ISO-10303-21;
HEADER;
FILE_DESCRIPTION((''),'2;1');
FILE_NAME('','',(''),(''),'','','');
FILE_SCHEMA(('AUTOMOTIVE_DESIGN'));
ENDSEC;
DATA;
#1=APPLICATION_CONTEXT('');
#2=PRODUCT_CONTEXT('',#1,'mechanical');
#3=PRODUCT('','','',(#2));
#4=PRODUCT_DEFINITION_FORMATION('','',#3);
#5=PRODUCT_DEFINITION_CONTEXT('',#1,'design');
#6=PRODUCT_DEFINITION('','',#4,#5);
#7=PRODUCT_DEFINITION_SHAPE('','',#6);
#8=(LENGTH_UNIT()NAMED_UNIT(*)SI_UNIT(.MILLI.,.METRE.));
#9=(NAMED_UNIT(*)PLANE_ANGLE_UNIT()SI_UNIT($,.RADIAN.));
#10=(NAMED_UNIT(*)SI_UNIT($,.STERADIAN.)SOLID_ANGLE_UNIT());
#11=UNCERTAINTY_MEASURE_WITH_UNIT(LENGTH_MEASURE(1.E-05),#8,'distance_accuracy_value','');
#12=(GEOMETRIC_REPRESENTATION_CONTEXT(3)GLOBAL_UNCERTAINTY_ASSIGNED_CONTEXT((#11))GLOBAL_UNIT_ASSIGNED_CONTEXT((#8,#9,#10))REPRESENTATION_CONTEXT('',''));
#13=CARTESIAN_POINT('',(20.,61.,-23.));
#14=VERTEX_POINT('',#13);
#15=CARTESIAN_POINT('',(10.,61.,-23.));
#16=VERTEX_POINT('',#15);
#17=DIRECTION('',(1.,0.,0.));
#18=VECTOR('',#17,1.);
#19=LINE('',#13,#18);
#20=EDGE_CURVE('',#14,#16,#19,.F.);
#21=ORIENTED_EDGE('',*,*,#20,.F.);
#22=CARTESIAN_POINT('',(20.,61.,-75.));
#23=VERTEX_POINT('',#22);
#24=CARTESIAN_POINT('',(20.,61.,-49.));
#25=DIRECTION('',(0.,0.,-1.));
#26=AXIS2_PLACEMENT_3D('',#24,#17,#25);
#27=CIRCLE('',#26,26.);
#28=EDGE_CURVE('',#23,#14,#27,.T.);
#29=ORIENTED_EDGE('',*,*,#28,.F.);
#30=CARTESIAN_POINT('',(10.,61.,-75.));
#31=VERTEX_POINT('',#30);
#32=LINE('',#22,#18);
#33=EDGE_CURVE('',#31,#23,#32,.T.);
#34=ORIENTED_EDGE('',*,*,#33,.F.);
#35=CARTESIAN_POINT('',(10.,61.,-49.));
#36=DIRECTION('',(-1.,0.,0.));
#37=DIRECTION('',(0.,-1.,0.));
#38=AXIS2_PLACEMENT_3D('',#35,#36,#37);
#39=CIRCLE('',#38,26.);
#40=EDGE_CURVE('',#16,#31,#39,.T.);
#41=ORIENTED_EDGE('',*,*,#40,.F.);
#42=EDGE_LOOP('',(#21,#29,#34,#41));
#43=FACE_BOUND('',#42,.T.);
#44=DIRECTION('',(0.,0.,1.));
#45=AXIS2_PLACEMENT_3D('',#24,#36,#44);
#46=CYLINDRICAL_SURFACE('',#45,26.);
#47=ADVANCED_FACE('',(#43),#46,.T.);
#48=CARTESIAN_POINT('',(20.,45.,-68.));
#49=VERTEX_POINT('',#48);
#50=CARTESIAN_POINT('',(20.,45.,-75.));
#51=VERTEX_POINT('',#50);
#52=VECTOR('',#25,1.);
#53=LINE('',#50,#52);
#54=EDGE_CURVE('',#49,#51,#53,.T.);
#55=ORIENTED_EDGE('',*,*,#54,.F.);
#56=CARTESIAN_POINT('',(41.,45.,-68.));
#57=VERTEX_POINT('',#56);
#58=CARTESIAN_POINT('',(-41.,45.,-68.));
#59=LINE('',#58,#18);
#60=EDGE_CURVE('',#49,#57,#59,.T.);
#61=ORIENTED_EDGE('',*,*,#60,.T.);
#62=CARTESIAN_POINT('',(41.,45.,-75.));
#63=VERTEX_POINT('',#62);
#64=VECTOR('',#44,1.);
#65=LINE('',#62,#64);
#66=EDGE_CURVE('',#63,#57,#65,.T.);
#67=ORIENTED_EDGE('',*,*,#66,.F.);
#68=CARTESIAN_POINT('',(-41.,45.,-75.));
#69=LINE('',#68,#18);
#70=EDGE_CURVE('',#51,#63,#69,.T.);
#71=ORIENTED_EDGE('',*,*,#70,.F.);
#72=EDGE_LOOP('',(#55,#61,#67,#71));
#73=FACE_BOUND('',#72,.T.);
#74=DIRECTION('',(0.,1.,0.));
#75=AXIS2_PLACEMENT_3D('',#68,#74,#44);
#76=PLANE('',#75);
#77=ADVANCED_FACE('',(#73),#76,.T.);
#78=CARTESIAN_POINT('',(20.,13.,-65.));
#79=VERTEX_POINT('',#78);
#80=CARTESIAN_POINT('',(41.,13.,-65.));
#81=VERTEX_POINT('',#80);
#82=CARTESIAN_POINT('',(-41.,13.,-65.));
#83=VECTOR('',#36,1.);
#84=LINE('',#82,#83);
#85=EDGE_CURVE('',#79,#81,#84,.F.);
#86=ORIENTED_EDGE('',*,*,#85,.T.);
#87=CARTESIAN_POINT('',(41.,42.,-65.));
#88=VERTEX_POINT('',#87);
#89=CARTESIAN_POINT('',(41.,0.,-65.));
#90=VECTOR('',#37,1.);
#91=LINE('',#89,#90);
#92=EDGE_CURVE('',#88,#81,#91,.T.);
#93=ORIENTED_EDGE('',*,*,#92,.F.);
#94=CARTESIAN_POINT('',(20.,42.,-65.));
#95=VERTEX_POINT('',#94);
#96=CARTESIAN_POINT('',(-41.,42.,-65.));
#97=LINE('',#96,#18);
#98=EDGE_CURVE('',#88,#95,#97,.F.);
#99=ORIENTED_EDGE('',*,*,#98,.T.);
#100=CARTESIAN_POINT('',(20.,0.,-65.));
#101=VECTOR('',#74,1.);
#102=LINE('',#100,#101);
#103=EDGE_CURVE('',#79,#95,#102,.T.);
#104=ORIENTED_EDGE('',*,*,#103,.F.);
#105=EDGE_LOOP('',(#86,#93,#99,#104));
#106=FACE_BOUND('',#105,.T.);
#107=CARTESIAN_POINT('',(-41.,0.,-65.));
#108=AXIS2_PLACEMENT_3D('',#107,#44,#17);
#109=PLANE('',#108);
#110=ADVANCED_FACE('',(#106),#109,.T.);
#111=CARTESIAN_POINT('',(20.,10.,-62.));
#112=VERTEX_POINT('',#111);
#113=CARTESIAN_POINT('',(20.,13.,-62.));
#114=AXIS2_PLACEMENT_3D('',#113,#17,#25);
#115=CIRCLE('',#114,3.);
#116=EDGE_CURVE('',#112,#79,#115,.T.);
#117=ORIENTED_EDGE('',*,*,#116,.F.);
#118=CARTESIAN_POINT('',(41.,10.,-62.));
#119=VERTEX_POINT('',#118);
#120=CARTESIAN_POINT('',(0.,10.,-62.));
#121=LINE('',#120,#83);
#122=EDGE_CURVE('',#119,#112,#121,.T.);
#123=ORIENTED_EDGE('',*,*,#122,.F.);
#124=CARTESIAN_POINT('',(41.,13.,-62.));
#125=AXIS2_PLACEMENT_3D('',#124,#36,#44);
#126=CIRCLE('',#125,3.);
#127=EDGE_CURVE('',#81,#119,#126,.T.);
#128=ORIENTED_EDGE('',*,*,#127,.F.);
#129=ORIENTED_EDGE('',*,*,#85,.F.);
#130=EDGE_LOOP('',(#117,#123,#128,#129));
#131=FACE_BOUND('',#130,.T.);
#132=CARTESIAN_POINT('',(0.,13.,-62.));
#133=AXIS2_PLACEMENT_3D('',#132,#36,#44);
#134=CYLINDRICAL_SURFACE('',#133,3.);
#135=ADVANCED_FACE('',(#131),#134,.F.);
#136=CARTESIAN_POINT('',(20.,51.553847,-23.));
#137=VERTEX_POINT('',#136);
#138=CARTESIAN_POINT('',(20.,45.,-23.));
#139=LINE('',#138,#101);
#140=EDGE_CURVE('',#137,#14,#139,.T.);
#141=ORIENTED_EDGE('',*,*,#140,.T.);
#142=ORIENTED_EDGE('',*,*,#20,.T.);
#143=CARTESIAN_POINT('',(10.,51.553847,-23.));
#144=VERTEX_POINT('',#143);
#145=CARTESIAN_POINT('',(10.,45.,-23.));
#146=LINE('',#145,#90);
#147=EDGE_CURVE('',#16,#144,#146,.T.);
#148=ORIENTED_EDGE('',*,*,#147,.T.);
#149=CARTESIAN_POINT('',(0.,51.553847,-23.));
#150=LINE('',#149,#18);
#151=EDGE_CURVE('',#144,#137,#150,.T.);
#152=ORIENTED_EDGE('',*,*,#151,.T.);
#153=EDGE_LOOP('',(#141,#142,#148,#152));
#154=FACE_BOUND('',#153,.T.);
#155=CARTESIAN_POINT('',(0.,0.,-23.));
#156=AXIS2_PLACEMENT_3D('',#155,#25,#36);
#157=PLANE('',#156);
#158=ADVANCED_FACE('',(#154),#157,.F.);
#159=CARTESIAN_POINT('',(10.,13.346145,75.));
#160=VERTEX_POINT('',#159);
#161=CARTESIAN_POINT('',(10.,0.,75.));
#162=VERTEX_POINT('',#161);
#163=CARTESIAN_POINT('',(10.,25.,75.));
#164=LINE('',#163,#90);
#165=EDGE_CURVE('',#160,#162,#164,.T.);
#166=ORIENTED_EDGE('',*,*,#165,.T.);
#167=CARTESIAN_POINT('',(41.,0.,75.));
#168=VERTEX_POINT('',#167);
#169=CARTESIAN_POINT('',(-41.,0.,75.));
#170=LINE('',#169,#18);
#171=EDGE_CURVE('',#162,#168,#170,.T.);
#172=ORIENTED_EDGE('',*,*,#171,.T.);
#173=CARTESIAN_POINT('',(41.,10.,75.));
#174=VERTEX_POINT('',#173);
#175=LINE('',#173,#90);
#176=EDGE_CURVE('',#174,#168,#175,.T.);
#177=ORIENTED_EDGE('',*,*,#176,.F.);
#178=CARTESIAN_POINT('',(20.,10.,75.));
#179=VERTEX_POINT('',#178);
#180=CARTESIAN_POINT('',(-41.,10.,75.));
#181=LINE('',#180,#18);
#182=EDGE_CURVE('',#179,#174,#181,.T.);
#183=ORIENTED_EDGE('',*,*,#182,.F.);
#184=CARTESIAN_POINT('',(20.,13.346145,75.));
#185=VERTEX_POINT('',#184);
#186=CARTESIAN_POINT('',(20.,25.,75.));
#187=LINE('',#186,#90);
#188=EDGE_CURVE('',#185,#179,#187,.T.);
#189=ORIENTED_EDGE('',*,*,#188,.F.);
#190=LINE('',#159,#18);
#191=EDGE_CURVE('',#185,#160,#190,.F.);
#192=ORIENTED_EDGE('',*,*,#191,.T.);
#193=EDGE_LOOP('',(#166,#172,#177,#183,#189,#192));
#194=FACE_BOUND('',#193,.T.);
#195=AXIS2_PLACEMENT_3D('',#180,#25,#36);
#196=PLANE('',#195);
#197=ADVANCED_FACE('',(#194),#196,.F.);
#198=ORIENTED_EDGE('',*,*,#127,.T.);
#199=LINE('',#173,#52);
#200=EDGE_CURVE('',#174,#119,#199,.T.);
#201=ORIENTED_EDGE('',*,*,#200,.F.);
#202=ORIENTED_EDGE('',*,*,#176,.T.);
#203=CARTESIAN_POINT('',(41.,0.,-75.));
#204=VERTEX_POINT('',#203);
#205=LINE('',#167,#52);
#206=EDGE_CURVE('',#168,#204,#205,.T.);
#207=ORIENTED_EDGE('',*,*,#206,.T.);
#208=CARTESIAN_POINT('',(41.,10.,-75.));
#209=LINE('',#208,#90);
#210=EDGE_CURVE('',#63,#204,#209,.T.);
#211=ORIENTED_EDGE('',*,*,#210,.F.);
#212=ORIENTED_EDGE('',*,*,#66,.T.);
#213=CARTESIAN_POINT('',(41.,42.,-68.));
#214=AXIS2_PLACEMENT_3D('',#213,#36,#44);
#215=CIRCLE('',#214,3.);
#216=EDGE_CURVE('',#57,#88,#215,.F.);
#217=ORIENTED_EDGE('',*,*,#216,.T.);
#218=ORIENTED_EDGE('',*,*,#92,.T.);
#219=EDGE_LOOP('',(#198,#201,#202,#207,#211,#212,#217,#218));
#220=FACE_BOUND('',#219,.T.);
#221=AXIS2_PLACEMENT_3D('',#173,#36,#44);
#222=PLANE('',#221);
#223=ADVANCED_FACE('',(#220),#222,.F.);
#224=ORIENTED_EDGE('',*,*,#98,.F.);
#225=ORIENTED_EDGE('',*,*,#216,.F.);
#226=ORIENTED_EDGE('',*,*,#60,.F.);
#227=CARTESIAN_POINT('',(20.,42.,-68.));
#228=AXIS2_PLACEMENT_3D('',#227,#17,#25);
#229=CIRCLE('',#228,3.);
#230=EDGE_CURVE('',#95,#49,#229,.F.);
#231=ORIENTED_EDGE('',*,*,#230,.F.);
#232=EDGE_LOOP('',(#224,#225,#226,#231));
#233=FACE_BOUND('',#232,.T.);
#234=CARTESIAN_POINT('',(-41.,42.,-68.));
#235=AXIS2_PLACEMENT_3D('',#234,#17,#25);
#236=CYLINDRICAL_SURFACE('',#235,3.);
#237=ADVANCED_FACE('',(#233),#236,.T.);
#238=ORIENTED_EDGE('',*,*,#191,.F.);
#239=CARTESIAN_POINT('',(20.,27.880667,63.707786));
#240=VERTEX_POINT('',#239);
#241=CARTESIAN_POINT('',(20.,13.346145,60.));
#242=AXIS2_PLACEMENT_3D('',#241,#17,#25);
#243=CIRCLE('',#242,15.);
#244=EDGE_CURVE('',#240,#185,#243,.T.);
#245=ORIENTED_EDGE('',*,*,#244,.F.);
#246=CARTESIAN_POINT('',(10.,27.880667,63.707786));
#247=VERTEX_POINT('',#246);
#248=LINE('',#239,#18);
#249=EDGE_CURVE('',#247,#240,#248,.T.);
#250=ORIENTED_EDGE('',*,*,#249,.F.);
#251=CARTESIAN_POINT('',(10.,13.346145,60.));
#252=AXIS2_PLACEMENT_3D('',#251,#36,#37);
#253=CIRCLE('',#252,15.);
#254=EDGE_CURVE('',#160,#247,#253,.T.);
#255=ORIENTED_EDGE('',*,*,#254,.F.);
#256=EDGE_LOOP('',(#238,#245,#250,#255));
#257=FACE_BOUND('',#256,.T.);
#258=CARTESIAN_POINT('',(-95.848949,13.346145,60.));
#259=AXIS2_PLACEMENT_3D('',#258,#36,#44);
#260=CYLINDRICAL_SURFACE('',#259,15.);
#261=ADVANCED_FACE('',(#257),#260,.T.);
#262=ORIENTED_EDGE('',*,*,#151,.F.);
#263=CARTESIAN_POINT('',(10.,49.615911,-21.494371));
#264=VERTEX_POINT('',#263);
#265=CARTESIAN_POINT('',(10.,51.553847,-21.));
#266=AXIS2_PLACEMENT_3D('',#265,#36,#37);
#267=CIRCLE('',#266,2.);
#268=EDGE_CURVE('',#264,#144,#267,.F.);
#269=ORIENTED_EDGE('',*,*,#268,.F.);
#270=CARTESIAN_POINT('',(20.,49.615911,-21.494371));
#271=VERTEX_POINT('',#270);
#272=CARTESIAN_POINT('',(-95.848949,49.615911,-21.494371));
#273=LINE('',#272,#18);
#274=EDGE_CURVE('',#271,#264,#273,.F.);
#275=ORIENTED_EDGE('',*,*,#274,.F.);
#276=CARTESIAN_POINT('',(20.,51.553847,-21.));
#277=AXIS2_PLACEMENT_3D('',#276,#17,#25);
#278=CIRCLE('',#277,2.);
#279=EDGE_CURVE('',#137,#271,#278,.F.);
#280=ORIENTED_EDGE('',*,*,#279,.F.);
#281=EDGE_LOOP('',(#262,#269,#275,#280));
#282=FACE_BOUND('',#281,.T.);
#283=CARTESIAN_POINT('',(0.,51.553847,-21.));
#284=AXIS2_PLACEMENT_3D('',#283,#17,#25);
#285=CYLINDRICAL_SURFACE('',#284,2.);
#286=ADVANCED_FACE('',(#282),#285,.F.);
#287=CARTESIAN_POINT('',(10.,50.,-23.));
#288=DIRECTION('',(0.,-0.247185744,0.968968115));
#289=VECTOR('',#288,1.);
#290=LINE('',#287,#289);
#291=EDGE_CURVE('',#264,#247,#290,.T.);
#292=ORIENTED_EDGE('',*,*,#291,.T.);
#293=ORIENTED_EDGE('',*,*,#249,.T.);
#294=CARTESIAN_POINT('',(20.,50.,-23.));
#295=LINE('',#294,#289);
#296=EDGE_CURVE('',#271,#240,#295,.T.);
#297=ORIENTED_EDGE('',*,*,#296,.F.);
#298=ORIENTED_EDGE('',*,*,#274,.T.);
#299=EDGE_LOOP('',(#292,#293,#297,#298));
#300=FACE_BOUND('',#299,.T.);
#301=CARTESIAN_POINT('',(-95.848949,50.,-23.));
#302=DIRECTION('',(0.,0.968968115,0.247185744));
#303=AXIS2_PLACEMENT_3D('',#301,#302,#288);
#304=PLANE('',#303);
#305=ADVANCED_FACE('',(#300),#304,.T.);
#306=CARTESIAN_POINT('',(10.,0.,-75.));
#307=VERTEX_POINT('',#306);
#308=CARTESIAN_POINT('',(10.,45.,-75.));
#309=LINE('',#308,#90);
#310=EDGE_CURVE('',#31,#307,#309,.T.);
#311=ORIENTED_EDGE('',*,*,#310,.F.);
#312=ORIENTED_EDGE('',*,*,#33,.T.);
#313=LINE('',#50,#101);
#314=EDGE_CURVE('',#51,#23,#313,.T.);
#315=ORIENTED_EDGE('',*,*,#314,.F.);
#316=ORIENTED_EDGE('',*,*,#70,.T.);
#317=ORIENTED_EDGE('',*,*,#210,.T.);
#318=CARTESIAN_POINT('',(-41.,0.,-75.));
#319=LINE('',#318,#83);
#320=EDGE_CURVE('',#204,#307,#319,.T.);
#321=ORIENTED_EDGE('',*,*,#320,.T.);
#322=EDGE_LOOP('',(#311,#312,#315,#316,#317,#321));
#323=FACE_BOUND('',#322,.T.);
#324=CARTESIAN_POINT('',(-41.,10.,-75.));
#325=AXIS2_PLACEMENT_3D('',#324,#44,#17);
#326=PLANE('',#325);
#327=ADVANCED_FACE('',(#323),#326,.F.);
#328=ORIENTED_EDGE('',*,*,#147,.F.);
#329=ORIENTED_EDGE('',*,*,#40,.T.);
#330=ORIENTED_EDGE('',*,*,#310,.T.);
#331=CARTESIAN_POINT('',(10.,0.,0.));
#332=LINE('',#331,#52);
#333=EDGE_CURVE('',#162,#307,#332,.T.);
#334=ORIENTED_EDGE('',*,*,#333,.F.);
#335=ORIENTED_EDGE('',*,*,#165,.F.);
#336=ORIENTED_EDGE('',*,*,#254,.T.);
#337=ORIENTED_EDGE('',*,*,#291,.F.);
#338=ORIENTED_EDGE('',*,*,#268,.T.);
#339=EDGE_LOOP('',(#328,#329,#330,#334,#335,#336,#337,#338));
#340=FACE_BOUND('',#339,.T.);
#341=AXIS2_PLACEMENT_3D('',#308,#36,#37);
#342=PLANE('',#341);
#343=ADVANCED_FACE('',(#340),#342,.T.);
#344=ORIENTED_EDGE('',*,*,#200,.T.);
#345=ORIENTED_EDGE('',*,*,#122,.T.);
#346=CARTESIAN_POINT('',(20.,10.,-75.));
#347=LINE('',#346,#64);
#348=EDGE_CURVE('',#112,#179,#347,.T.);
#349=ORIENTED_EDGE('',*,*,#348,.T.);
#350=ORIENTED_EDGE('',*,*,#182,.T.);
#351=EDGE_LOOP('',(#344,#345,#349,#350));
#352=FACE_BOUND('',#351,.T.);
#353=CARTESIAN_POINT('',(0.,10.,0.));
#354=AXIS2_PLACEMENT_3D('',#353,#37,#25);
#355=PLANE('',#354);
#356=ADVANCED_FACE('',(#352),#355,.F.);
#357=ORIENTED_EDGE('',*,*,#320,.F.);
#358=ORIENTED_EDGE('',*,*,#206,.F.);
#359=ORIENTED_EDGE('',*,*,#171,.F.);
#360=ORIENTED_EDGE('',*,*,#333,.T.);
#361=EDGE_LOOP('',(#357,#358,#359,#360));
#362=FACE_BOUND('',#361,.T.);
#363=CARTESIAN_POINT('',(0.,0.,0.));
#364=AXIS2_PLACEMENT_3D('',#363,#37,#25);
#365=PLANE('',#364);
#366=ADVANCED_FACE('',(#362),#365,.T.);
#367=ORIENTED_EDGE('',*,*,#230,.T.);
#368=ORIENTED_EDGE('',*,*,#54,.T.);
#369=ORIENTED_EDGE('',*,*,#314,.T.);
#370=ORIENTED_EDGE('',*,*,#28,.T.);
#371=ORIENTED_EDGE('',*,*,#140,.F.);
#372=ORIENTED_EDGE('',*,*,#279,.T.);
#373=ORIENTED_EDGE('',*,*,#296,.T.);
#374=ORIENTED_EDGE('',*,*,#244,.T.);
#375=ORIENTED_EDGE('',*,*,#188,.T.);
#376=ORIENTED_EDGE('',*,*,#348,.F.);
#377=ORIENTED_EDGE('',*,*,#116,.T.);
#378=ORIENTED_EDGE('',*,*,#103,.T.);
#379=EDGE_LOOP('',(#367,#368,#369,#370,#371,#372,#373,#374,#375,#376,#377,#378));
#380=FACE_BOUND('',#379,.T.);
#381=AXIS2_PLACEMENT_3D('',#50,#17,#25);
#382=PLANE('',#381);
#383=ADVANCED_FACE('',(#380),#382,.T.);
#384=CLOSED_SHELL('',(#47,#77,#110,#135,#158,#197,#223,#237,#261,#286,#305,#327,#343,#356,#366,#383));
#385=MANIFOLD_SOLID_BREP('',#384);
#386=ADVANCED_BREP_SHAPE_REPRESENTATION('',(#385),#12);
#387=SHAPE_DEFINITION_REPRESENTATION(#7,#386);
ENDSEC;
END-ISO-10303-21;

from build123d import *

# Parameters (mm, degrees)
SKETCH1_W                = 82
SKETCH1_H                = 150
BOSS_EXTRUDE1_DEPTH      = 10
SKETCH2_W                = 10
SKETCH2_H                = 45
BOSS_EXTRUDE2_DEPTH      = 82
BOSS_EXTRUDE3_DEPTH      = 42
BOSS_EXTRUDE3_DEPTH_BACK = 10
FILLET3_RADIUS           = 26
FILLET3_LENGTH           = 10
FILLET4_RADIUS           = 26
FILLET4_LENGTH           = 10
BOSS_EXTRUDE4_DEPTH      = 10
BOSS_EXTRUDE5_DEPTH      = 10
FILLET5_R                = 15
FILLET6_R                = 15
SKETCH6_R                = 8
SKETCH6_R_2              = 5.5
CUT_EXTRUDE1_DEPTH       = 131.057679512
FILLET7_R                = 3
FILLET8_R                = 3
FILLET9_R                = 3
FILLET10_R               = 3
FILLET11_R               = 2
SKETCH7_R                = 5.5
CUT_EXTRUDE2_DEPTH       = 116.043470045
SKETCH8_W                = 181.068808942
SKETCH8_H                = 99.289789265
CUT_EXTRUDE3_DEPTH       = 126.678160394
SKETCH9_W                = 17.116284166
SKETCH9_H                = 92.331504729
BOSS_EXTRUDE6_DEPTH      = 10
SKETCH10_W               = 23.658167423
SKETCH10_H               = 25.148445686
SKETCH10_W_2             = 13.971358715
SKETCH10_H_2             = 14.716497846
BOSS_EXTRUDE7_DEPTH      = 10


with BuildPart() as part:
    # Sketch1 → Boss-Extrude1 (new body)
    with BuildSketch(Plane(origin=(0, 0, 0), x_dir=(1, 0, 0), z_dir=(0, 1, 0))):
        Rectangle(SKETCH1_W, SKETCH1_H)
    extrude(amount=BOSS_EXTRUDE1_DEPTH)

    # Sketch2 → Boss-Extrude2 (add, through all)
    with BuildSketch(Plane(origin=(41, 0, 0), x_dir=(0, 0, -1), z_dir=(1, 0, 0))):
        with Locations((70, 22.5)):
            Rectangle(SKETCH2_W, SKETCH2_H)
    extrude(amount=-BOSS_EXTRUDE2_DEPTH)

    # Sketch3 → Boss-Extrude3 (add, two sides: drawn at the far end of the back side and taken through both)
    with BuildSketch(Plane.XY.offset(-65).offset(-BOSS_EXTRUDE3_DEPTH_BACK)):
        Polygon((10, 45), (10, 10), (20, 10), (20, 45), (20, 87), (10, 87), align=None)
        Polygon((-10, 45), (-10, 87), (-20, 87), (-20, 45), (-20, 10), (-10, 10), align=None)
    extrude(amount=BOSS_EXTRUDE3_DEPTH + BOSS_EXTRUDE3_DEPTH_BACK)

    # Fillet3: full round fillet: the end face becomes a half cylinder, R = half its width
    fillet3_face = Plane((15, 87, -49), x_dir=(-1, 0, 0), z_dir=(0, 1, 0))  # on the end face: x along it, z out of the body
    fillet3_slab = fillet3_face.offset(-FILLET3_RADIUS / 2) * Box(FILLET3_LENGTH, 2 * FILLET3_RADIUS, FILLET3_RADIUS, mode=Mode.PRIVATE)  # the body's end, R deep
    fillet3_round = Plane((15, 61, -49), x_dir=(0, 1, 0), z_dir=(-1, 0, 0)) * Cylinder(FILLET3_RADIUS, FILLET3_LENGTH, mode=Mode.PRIVATE)  # its axis R under the face
    add(fillet3_slab - fillet3_round, mode=Mode.SUBTRACT)

    # Fillet4: full round fillet: the end face becomes a half cylinder, R = half its width
    fillet4_face = Plane((-15, 87, -49), x_dir=(-1, 0, 0), z_dir=(0, 1, 0))  # on the end face: x along it, z out of the body
    fillet4_slab = fillet4_face.offset(-FILLET4_RADIUS / 2) * Box(FILLET4_LENGTH, 2 * FILLET4_RADIUS, FILLET4_RADIUS, mode=Mode.PRIVATE)  # the body's end, R deep
    fillet4_round = Plane((-15, 61, -49), x_dir=(0, 1, 0), z_dir=(-1, 0, 0)) * Cylinder(FILLET4_RADIUS, FILLET4_LENGTH, mode=Mode.PRIVATE)  # its axis R under the face
    add(fillet4_slab - fillet4_round, mode=Mode.SUBTRACT)

    # Sketch4 → Boss-Extrude4 (add)
    with BuildSketch(Plane(origin=(20, 0, 0), x_dir=(0, 0, -1), z_dir=(1, 0, 0))):
        Polygon((23, 10), (23, 50), (-75, 25), (-75, 10), align=None)
    extrude(amount=-BOSS_EXTRUDE4_DEPTH)

    # Sketch5 → Boss-Extrude5 (add)
    with BuildSketch(Plane.ZY.offset(20)):
        Polygon((-23, 50), (75, 25), (75, 10), (-23, 10), align=None)
    extrude(amount=-BOSS_EXTRUDE5_DEPTH)

    # Fillet5
    fillet5_edges = [part.edges().sort_by_distance(p)[0] for p in [
        (15, 25, 75),
    ]]
    fillet(fillet5_edges, radius=FILLET5_R)

    # Fillet6
    fillet6_edges = [part.edges().sort_by_distance(p)[0] for p in [
        (-15, 25, 75),
    ]]
    fillet(fillet6_edges, radius=FILLET6_R)

    # Sketch6 → Cut-Extrude1 (cut, through all)
    with BuildSketch(Plane(origin=(20, 0, 0), x_dir=(0, 0, -1), z_dir=(1, 0, 0))):
        with Locations((49, 61)):
            Circle(SKETCH6_R)
        with Locations((-60, 17.5)):
            Circle(SKETCH6_R_2)
    extrude(amount=-CUT_EXTRUDE1_DEPTH, mode=Mode.SUBTRACT)

    # Fillet7
    fillet7_edges = [part.edges().sort_by_distance(p)[0] for p in [
        (30.5, 45, -65),
    ]]
    fillet(fillet7_edges, radius=FILLET7_R)

    # Fillet8
    fillet8_edges = [part.edges().sort_by_distance(p)[0] for p in [
        (0, 45, -65),
    ]]
    fillet(fillet8_edges, radius=FILLET8_R)

    # Fillet9
    fillet9_edges = [part.edges().sort_by_distance(p)[0] for p in [
        (-30.5, 45, -65),
    ]]
    fillet(fillet9_edges, radius=FILLET9_R)

    # Fillet10
    fillet10_edges = [part.edges().sort_by_distance(p)[0] for p in [
        (30.5, 10, -65),
        (0, 10, -65),
        (-30.5, 10, -65),
    ]]
    fillet(fillet10_edges, radius=FILLET10_R)

    # Fillet11
    fillet11_edges = [part.edges().sort_by_distance(p)[0] for p in [
        (15, 50, -23),
        (-15, 50, -23),
    ]]
    fillet(fillet11_edges, radius=FILLET11_R)

    # Sketch7 → Cut-Extrude2 (cut, through all)
    with BuildSketch(Plane(origin=(0, 10, 0), x_dir=(1, 0, 0), z_dir=(0, 1, 0))):
        with Locations(Location((31.5, 45, 0), (0, 0, 270))):
            Circle(SKETCH7_R)
        with Locations(Location((31.5, -15, 0), (0, 0, 270))):
            Circle(SKETCH7_R)
        with Locations(Location((-31.5, -15, 0), (0, 0, 90))):
            Circle(SKETCH7_R)
        with Locations(Location((-31.5, 45, 0), (0, 0, 90))):
            Circle(SKETCH7_R)
    extrude(amount=-CUT_EXTRUDE2_DEPTH, mode=Mode.SUBTRACT)

    # Sketch8 → Cut-Extrude3 (cut, through all)
    with BuildSketch(Plane.ZY.offset(-10)):
        with Locations((1.490278263, 42.723870649)):
            Rectangle(SKETCH8_W, SKETCH8_H)
    extrude(amount=CUT_EXTRUDE3_DEPTH, mode=Mode.SUBTRACT)

    # Sketch9 → Boss-Extrude6 (add, through all)
    with BuildSketch(Plane(origin=(0, 10, 0), x_dir=(1, 0, 0), z_dir=(0, 1, 0))):
        with Locations((30.200951285, 11.209960756)):
            Rectangle(SKETCH9_W, SKETCH9_H)
    extrude(amount=-BOSS_EXTRUDE6_DEPTH)

    # Sketch10 → Boss-Extrude7 (add)
    with BuildSketch(Plane.ZY.offset(-10)):
        with Locations((-48.340901153, 61.662766329)):
            Rectangle(SKETCH10_W, SKETCH10_H)
        with Locations((59.331703342, 16.768133659)):
            Rectangle(SKETCH10_W_2, SKETCH10_H_2)
    extrude(amount=-BOSS_EXTRUDE7_DEPTH)


solid = part.part
